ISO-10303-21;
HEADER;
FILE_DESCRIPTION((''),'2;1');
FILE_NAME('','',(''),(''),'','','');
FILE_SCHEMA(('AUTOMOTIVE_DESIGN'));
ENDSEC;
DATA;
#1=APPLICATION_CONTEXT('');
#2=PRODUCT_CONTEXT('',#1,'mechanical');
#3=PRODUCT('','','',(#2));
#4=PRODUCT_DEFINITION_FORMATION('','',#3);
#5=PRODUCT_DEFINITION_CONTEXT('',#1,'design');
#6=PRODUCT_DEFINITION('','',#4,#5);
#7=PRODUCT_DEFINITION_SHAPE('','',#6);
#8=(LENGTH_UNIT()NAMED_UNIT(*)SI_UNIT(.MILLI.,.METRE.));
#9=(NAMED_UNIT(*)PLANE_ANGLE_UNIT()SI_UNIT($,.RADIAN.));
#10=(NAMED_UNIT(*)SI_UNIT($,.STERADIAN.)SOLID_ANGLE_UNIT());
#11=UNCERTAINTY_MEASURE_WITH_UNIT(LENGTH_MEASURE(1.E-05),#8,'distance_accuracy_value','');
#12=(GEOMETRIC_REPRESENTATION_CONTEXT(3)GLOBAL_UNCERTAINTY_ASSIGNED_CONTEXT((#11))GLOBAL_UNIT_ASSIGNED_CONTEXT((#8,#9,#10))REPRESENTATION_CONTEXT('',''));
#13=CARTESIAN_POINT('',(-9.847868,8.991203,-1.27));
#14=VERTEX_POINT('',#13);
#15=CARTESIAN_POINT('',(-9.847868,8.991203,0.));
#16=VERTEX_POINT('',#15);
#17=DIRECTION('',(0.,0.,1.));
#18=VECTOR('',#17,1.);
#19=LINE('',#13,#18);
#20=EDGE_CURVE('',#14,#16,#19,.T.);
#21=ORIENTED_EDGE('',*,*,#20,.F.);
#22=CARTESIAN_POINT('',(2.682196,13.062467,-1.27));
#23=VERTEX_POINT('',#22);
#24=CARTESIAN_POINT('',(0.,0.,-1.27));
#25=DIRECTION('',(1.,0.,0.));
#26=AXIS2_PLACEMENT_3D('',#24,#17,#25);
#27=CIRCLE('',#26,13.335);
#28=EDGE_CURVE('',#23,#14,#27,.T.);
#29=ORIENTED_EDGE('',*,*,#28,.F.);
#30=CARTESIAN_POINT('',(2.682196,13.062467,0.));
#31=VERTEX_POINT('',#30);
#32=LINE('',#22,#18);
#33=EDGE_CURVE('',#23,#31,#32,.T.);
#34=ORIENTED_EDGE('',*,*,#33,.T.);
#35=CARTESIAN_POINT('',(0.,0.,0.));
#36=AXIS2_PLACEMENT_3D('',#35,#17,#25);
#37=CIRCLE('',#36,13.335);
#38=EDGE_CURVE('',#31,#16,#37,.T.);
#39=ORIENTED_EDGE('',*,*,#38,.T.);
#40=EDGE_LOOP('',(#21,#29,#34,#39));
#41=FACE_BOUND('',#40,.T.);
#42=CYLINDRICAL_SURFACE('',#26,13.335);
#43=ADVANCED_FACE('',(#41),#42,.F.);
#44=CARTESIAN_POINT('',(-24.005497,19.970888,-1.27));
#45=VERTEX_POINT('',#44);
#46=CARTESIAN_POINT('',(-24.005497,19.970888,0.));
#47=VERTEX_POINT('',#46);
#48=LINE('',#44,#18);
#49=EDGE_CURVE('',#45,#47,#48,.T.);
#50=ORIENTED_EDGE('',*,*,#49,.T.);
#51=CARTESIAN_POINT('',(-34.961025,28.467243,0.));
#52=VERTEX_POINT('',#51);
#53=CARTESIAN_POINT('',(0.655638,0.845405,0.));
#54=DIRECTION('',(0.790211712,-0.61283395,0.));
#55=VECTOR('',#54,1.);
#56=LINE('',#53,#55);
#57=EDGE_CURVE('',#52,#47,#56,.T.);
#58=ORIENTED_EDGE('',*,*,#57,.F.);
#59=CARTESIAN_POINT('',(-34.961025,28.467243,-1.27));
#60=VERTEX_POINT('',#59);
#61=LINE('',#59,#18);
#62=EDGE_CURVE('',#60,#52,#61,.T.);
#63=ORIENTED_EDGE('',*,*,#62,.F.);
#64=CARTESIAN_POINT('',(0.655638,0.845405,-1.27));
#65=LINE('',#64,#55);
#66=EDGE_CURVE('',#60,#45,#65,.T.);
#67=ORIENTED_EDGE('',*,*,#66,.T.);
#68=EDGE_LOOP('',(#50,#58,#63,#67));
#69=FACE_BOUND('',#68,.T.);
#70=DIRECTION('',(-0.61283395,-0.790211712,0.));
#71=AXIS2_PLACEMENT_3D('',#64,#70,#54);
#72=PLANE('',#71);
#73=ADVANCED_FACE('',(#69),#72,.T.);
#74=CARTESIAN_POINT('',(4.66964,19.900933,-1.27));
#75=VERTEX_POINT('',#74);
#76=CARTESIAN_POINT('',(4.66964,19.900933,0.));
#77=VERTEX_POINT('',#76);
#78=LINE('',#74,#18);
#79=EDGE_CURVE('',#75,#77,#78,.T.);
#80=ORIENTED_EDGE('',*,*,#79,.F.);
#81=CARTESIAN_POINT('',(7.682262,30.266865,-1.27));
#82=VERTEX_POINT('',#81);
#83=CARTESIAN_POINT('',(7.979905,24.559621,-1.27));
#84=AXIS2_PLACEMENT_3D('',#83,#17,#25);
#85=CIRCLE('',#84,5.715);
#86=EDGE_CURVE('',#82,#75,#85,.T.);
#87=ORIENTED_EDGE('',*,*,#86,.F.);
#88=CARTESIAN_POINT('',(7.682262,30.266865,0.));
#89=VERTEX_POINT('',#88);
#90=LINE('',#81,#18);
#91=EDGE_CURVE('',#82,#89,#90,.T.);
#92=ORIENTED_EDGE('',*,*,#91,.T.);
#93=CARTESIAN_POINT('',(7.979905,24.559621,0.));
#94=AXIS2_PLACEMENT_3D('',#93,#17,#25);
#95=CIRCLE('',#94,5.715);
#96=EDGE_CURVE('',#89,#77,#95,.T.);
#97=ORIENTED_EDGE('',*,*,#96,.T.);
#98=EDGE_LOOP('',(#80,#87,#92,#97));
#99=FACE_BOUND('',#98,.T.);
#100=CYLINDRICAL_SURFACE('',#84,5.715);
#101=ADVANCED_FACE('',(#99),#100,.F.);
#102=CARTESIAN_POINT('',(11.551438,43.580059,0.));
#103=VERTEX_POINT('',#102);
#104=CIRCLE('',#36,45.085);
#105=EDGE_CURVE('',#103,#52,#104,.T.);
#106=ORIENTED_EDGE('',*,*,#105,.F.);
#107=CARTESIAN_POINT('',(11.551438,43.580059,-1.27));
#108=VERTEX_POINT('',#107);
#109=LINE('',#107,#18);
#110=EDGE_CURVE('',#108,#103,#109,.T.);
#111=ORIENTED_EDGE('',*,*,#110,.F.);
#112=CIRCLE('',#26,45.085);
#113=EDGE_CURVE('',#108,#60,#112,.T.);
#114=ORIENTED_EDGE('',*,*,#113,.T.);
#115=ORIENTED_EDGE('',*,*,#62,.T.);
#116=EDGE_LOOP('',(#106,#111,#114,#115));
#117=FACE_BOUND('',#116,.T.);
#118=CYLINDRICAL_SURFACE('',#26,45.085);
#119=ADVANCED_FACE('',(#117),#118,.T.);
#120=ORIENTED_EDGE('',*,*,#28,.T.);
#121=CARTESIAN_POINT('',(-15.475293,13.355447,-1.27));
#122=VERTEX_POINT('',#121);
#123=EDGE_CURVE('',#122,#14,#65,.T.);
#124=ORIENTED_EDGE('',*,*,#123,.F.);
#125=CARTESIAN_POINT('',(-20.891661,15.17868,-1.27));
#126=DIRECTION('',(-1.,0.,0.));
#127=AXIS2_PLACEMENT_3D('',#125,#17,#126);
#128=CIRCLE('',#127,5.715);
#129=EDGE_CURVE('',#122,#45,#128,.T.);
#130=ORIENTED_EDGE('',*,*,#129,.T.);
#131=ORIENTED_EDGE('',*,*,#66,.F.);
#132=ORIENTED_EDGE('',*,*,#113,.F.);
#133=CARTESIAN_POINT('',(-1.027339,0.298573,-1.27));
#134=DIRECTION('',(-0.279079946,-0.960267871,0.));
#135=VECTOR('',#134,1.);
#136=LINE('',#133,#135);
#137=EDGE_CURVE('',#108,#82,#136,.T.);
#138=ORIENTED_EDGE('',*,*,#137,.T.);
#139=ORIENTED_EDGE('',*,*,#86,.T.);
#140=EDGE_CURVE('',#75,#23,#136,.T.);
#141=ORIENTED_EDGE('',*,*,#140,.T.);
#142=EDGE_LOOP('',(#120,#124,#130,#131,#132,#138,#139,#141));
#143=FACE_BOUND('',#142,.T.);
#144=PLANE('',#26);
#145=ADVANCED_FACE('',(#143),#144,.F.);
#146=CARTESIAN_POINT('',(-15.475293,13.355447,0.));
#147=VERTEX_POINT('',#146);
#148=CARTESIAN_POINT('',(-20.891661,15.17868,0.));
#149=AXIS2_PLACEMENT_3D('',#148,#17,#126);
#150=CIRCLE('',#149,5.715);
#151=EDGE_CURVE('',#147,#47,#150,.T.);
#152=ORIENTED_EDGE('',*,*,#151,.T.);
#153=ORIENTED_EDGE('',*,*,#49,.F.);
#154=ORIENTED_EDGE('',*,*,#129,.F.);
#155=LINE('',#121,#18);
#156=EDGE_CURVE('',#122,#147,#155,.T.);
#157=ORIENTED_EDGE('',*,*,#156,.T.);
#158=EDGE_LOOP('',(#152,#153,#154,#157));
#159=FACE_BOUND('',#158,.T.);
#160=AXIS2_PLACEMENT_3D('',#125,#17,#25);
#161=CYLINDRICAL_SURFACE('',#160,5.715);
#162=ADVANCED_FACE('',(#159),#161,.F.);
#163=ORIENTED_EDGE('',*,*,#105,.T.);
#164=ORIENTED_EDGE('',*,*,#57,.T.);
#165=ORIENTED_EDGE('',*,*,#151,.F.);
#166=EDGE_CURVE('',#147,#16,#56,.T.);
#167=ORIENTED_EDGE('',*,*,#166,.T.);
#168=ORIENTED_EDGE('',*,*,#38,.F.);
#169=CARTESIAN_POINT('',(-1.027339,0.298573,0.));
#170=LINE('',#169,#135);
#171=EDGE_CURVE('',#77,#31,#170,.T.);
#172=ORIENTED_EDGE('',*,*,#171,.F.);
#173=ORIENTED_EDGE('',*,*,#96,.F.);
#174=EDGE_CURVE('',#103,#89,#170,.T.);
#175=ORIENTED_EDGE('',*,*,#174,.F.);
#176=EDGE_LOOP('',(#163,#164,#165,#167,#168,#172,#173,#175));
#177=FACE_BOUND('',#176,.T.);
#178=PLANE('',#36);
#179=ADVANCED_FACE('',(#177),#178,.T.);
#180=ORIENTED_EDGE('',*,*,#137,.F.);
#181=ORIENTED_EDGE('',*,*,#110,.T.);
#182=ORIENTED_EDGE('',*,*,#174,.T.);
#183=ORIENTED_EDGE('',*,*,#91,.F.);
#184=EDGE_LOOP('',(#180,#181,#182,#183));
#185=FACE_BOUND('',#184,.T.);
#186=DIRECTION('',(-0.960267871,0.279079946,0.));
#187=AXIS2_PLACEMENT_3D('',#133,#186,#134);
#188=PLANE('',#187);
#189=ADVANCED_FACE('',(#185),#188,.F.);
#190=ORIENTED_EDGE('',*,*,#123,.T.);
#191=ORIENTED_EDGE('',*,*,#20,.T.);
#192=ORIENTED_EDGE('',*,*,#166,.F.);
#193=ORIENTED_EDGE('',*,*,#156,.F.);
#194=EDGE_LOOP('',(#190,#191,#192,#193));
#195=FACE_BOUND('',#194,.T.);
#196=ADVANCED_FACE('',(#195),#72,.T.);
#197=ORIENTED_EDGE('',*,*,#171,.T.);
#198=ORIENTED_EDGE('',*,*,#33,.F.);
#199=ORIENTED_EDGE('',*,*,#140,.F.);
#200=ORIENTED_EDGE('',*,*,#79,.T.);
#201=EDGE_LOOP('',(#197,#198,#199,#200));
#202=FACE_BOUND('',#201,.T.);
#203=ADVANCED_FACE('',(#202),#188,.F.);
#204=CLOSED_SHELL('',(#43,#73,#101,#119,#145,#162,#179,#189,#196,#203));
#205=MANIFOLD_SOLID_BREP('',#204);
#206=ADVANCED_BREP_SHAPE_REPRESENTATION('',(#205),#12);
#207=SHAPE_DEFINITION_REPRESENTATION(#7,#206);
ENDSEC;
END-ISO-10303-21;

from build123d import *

# Parameters (mm, degrees)
BOSS_EXTRUDE1_DEPTH = 1.27
CUT_EXTRUDE1_DEPTH  = 58.066131866


with BuildPart() as part:
    # Sketch13 → Boss-Extrude1 (new body)
    with BuildSketch(Plane.XY):
        with BuildLine():
            Line((11.551437691, 43.580058654), (2.682196049, 13.0624672))
            ThreePointArc((2.682196049, 13.0624672), (-4.12074162, 12.682338645), (-9.847867764, 8.991202672))
            Line((-9.847867764, 8.991202672), (-34.961025172, 28.467243349))
            ThreePointArc((-34.961025172, 28.467243349), (-13.932031191, 42.878383037), (11.551437691, 43.580058654))
        make_face()
    extrude(amount=-BOSS_EXTRUDE1_DEPTH)

    # Sketch15 → Cut-Extrude1 (cut, through all)
    with BuildSketch(Plane.XY):
        with BuildLine():
            Line((7.682261651, 30.266864763), (4.669640038, 19.900932781))
            ThreePointArc((4.669640038, 19.900932781), (2.491973647, 26.154562688), (7.682261651, 30.266864763))
        make_face()
        with BuildLine():
            Line((-24.005496972, 19.970887857), (-15.475292944, 13.355447276))
            ThreePointArc((-15.475292944, 13.355447276), (-17.389315258, 19.694740336), (-24.005496972, 19.970887857))
        make_face()
    extrude(amount=-CUT_EXTRUDE1_DEPTH, mode=Mode.SUBTRACT)


solid = part.part
